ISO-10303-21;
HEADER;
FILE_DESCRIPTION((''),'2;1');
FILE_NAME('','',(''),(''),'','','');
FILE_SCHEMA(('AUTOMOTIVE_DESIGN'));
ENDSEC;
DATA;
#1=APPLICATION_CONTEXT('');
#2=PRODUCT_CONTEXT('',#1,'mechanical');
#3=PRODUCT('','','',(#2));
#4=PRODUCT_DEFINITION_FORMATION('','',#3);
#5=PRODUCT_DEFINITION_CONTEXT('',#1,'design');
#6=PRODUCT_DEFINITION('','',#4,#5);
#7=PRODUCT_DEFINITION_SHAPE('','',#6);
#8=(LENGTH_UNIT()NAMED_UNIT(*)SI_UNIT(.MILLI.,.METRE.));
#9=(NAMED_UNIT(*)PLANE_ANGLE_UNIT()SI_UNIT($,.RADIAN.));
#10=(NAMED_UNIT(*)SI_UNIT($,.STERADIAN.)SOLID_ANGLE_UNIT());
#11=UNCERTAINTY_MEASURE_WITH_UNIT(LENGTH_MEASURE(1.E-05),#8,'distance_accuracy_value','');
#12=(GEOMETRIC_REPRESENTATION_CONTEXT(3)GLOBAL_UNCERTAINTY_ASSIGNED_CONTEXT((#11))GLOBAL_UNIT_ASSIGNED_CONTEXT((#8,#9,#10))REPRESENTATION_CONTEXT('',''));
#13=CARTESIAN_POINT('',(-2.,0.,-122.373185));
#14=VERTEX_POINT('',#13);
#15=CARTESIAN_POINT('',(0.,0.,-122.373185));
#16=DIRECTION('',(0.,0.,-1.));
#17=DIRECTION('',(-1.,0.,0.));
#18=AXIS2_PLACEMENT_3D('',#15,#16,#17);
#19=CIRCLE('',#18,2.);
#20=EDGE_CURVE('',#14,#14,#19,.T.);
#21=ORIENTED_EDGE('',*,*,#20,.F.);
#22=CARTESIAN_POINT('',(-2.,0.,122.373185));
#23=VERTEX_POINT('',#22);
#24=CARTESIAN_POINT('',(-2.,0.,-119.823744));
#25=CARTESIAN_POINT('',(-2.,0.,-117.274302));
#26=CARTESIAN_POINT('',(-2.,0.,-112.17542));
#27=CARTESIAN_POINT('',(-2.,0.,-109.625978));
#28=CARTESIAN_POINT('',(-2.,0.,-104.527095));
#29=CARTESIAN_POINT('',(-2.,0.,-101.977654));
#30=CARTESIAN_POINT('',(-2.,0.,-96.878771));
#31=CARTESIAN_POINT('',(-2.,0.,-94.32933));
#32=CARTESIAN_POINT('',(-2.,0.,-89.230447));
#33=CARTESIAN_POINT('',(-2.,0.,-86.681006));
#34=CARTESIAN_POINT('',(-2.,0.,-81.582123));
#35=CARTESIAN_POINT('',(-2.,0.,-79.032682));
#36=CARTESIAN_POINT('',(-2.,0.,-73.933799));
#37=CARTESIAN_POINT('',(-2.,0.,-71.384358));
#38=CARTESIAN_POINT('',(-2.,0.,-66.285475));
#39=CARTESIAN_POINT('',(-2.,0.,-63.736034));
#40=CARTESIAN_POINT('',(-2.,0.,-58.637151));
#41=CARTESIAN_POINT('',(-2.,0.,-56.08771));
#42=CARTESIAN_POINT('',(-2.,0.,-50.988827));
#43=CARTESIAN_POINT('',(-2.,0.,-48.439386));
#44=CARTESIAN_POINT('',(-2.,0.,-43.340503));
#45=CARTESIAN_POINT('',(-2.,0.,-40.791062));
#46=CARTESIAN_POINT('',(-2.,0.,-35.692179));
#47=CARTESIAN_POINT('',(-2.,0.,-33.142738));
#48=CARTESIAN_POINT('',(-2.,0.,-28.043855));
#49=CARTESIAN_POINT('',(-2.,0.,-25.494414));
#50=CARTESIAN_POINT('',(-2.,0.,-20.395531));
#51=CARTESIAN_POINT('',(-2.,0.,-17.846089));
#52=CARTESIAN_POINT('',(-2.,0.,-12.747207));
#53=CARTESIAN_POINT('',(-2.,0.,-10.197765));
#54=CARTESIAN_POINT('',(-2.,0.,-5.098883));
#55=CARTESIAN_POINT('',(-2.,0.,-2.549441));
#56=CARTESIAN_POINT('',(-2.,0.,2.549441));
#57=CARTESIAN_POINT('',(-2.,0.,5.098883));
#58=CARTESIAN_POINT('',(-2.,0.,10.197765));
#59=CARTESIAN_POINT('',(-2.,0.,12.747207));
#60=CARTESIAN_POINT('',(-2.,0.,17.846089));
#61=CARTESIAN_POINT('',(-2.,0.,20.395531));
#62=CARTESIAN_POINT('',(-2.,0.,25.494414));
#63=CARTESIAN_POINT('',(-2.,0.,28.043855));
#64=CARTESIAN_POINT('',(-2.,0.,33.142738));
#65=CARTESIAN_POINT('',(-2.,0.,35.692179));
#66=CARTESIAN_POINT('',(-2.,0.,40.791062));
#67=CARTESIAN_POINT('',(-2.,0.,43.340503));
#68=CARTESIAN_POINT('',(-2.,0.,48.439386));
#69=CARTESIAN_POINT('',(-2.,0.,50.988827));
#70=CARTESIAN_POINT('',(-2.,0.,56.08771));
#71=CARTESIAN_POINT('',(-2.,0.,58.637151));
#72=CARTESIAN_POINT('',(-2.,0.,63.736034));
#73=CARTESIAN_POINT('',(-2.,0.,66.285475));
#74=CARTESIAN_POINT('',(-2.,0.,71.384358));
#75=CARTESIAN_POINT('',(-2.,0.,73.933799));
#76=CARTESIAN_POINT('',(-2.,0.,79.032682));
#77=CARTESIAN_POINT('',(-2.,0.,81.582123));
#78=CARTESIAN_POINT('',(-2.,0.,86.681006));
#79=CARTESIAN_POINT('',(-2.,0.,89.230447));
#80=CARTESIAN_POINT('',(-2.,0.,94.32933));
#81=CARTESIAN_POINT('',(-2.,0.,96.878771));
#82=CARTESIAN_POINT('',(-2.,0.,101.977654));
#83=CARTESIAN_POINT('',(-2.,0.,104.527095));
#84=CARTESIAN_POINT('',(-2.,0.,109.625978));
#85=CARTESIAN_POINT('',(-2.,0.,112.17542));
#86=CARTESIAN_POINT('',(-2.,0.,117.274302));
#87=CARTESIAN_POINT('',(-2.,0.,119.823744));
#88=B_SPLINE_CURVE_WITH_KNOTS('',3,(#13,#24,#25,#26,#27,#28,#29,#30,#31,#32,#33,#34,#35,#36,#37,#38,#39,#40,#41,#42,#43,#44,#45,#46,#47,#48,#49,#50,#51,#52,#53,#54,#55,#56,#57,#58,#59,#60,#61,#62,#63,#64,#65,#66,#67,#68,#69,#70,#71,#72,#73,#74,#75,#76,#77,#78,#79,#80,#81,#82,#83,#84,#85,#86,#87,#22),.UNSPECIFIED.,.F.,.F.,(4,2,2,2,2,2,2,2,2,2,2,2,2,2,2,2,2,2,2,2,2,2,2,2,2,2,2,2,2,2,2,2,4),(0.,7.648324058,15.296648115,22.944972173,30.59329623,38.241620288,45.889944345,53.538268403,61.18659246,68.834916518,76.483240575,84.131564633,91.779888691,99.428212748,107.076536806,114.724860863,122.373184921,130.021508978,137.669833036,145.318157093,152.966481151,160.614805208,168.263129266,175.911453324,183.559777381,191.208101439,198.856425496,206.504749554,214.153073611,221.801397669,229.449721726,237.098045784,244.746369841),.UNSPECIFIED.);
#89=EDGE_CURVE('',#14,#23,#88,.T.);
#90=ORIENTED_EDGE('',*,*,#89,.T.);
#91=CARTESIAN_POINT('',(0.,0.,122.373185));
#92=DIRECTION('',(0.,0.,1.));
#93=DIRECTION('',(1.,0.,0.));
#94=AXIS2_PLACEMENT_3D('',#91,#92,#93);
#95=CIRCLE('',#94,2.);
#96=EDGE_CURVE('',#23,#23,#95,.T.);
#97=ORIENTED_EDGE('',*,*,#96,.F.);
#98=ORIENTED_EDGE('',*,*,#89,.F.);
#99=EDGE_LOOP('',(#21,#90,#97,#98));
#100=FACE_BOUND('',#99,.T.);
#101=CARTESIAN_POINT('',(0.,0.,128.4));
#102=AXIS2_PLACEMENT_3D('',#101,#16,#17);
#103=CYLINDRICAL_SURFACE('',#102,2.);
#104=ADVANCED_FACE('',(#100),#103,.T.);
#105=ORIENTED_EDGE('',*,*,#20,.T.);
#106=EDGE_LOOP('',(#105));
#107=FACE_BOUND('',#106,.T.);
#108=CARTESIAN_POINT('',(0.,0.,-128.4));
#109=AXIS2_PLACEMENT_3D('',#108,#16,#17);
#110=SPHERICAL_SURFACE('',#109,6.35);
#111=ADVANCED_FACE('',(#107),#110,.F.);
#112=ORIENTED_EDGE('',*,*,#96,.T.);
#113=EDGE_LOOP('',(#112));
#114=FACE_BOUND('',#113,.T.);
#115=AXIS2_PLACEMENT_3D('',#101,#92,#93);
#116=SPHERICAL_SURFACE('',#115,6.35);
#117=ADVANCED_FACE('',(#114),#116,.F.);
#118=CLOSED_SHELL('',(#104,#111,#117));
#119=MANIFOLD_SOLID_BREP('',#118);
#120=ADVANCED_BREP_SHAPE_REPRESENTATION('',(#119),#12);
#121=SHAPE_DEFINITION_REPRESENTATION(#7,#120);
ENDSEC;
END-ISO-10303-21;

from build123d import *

# Parameters (mm, degrees)
ESQUISSE1_R        = 2
BOSS_EXTRU_1_DEPTH = 128.4


with BuildPart() as part:
    # Esquisse1 → Boss.-Extru.1 (new, symmetric)
    with BuildSketch(Plane.XY):
        Circle(ESQUISSE1_R)
    extrude(amount=BOSS_EXTRU_1_DEPTH, both=True)

    # Esquisse2 → Enlèvement de matière-Révolution1 (revolve, cut)
    with BuildSketch(Plane(origin=(0, 0, 0), x_dir=(1, 0, 0), z_dir=(0, 1, 0))):
        with BuildLine():
            Line((6.35, 128.4), (-6.35, 128.4))
            ThreePointArc((-6.35, 128.4), (-1.17e-15, 122.05000000000001), (6.35, 128.4))
        make_face()
    enl_vement_de_mati_re_r_volution1 = revolve(axis=Axis((6.35, 0, -128.4), (-1, 0, 0)), mode=Mode.SUBTRACT)

    # Symétrie1: Enlèvement de matière-Révolution1 across plane
    add(enl_vement_de_mati_re_r_volution1.mirror(Plane.XY), mode=Mode.SUBTRACT)


solid = part.part
